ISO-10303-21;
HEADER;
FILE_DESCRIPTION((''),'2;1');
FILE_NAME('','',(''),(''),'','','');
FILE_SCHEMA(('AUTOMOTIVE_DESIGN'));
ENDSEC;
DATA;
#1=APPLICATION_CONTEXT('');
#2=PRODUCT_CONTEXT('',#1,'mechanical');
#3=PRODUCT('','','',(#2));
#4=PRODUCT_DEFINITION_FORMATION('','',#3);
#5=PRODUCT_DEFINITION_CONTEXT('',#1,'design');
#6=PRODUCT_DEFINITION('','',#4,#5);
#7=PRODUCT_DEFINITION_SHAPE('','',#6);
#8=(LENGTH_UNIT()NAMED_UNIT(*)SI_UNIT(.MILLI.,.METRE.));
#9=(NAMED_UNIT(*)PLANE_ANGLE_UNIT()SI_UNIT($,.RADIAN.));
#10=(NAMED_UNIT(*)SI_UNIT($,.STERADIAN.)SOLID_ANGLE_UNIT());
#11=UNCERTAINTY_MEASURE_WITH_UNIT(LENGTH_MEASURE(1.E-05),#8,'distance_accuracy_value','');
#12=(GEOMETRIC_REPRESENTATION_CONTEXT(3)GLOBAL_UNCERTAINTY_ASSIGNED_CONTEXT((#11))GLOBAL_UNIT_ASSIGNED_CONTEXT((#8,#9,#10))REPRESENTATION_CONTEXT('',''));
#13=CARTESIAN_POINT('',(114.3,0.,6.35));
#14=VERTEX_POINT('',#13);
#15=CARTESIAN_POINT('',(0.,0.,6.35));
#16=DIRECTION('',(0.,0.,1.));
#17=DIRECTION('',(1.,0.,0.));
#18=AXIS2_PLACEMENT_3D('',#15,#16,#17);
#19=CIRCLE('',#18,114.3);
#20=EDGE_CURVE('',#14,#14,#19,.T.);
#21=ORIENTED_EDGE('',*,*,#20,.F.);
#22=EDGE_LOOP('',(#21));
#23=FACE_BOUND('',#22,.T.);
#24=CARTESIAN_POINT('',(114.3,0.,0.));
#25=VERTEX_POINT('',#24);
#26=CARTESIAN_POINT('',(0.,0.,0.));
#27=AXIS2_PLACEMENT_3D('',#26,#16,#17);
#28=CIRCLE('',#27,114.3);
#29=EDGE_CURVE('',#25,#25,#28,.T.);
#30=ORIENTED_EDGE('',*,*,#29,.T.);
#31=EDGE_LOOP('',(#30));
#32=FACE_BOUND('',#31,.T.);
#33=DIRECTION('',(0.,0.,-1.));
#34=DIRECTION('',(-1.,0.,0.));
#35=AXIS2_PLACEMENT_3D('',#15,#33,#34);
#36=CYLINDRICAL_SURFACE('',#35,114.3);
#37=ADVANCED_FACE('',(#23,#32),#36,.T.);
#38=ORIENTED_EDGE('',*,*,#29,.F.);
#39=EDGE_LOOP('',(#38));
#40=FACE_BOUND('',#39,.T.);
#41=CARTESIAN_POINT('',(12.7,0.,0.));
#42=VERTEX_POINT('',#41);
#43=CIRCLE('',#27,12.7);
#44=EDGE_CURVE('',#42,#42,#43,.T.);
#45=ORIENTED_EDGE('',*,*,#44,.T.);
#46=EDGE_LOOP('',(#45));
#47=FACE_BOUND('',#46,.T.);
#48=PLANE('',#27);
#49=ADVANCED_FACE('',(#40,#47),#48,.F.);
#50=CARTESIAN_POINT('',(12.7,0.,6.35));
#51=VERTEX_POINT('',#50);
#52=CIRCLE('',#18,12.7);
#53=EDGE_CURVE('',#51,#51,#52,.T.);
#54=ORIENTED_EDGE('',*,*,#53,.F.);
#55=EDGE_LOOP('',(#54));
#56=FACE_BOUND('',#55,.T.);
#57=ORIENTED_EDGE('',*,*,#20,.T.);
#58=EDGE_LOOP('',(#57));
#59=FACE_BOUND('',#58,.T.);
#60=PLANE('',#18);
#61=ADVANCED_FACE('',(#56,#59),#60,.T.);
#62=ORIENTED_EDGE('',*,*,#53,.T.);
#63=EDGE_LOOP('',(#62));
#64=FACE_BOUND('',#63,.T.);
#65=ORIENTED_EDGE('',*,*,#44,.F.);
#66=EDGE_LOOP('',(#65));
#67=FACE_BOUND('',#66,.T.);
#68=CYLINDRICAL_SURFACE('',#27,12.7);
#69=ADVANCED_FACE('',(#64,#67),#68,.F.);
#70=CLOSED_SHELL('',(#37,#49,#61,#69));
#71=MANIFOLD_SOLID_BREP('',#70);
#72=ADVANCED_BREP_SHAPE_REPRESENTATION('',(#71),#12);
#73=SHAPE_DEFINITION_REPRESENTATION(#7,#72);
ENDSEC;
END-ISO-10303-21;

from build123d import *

# Parameters (mm, degrees)
SKETCH1_R           = 114.3
BOSS_EXTRUDE1_DEPTH = 6.35
SKETCH2_R           = 12.7
CUT_EXTRUDE1_DEPTH  = 6.35


with BuildPart() as part:
    # Sketch1 → Boss-Extrude1 (new body)
    with BuildSketch(Plane.XY):
        Circle(SKETCH1_R)
    extrude(amount=BOSS_EXTRUDE1_DEPTH)

    # Sketch2 → Cut-Extrude1 (cut)
    with BuildSketch(Plane.XY.offset(6.35)):
        Circle(SKETCH2_R)
    extrude(amount=-CUT_EXTRUDE1_DEPTH, mode=Mode.SUBTRACT)


solid = part.part
